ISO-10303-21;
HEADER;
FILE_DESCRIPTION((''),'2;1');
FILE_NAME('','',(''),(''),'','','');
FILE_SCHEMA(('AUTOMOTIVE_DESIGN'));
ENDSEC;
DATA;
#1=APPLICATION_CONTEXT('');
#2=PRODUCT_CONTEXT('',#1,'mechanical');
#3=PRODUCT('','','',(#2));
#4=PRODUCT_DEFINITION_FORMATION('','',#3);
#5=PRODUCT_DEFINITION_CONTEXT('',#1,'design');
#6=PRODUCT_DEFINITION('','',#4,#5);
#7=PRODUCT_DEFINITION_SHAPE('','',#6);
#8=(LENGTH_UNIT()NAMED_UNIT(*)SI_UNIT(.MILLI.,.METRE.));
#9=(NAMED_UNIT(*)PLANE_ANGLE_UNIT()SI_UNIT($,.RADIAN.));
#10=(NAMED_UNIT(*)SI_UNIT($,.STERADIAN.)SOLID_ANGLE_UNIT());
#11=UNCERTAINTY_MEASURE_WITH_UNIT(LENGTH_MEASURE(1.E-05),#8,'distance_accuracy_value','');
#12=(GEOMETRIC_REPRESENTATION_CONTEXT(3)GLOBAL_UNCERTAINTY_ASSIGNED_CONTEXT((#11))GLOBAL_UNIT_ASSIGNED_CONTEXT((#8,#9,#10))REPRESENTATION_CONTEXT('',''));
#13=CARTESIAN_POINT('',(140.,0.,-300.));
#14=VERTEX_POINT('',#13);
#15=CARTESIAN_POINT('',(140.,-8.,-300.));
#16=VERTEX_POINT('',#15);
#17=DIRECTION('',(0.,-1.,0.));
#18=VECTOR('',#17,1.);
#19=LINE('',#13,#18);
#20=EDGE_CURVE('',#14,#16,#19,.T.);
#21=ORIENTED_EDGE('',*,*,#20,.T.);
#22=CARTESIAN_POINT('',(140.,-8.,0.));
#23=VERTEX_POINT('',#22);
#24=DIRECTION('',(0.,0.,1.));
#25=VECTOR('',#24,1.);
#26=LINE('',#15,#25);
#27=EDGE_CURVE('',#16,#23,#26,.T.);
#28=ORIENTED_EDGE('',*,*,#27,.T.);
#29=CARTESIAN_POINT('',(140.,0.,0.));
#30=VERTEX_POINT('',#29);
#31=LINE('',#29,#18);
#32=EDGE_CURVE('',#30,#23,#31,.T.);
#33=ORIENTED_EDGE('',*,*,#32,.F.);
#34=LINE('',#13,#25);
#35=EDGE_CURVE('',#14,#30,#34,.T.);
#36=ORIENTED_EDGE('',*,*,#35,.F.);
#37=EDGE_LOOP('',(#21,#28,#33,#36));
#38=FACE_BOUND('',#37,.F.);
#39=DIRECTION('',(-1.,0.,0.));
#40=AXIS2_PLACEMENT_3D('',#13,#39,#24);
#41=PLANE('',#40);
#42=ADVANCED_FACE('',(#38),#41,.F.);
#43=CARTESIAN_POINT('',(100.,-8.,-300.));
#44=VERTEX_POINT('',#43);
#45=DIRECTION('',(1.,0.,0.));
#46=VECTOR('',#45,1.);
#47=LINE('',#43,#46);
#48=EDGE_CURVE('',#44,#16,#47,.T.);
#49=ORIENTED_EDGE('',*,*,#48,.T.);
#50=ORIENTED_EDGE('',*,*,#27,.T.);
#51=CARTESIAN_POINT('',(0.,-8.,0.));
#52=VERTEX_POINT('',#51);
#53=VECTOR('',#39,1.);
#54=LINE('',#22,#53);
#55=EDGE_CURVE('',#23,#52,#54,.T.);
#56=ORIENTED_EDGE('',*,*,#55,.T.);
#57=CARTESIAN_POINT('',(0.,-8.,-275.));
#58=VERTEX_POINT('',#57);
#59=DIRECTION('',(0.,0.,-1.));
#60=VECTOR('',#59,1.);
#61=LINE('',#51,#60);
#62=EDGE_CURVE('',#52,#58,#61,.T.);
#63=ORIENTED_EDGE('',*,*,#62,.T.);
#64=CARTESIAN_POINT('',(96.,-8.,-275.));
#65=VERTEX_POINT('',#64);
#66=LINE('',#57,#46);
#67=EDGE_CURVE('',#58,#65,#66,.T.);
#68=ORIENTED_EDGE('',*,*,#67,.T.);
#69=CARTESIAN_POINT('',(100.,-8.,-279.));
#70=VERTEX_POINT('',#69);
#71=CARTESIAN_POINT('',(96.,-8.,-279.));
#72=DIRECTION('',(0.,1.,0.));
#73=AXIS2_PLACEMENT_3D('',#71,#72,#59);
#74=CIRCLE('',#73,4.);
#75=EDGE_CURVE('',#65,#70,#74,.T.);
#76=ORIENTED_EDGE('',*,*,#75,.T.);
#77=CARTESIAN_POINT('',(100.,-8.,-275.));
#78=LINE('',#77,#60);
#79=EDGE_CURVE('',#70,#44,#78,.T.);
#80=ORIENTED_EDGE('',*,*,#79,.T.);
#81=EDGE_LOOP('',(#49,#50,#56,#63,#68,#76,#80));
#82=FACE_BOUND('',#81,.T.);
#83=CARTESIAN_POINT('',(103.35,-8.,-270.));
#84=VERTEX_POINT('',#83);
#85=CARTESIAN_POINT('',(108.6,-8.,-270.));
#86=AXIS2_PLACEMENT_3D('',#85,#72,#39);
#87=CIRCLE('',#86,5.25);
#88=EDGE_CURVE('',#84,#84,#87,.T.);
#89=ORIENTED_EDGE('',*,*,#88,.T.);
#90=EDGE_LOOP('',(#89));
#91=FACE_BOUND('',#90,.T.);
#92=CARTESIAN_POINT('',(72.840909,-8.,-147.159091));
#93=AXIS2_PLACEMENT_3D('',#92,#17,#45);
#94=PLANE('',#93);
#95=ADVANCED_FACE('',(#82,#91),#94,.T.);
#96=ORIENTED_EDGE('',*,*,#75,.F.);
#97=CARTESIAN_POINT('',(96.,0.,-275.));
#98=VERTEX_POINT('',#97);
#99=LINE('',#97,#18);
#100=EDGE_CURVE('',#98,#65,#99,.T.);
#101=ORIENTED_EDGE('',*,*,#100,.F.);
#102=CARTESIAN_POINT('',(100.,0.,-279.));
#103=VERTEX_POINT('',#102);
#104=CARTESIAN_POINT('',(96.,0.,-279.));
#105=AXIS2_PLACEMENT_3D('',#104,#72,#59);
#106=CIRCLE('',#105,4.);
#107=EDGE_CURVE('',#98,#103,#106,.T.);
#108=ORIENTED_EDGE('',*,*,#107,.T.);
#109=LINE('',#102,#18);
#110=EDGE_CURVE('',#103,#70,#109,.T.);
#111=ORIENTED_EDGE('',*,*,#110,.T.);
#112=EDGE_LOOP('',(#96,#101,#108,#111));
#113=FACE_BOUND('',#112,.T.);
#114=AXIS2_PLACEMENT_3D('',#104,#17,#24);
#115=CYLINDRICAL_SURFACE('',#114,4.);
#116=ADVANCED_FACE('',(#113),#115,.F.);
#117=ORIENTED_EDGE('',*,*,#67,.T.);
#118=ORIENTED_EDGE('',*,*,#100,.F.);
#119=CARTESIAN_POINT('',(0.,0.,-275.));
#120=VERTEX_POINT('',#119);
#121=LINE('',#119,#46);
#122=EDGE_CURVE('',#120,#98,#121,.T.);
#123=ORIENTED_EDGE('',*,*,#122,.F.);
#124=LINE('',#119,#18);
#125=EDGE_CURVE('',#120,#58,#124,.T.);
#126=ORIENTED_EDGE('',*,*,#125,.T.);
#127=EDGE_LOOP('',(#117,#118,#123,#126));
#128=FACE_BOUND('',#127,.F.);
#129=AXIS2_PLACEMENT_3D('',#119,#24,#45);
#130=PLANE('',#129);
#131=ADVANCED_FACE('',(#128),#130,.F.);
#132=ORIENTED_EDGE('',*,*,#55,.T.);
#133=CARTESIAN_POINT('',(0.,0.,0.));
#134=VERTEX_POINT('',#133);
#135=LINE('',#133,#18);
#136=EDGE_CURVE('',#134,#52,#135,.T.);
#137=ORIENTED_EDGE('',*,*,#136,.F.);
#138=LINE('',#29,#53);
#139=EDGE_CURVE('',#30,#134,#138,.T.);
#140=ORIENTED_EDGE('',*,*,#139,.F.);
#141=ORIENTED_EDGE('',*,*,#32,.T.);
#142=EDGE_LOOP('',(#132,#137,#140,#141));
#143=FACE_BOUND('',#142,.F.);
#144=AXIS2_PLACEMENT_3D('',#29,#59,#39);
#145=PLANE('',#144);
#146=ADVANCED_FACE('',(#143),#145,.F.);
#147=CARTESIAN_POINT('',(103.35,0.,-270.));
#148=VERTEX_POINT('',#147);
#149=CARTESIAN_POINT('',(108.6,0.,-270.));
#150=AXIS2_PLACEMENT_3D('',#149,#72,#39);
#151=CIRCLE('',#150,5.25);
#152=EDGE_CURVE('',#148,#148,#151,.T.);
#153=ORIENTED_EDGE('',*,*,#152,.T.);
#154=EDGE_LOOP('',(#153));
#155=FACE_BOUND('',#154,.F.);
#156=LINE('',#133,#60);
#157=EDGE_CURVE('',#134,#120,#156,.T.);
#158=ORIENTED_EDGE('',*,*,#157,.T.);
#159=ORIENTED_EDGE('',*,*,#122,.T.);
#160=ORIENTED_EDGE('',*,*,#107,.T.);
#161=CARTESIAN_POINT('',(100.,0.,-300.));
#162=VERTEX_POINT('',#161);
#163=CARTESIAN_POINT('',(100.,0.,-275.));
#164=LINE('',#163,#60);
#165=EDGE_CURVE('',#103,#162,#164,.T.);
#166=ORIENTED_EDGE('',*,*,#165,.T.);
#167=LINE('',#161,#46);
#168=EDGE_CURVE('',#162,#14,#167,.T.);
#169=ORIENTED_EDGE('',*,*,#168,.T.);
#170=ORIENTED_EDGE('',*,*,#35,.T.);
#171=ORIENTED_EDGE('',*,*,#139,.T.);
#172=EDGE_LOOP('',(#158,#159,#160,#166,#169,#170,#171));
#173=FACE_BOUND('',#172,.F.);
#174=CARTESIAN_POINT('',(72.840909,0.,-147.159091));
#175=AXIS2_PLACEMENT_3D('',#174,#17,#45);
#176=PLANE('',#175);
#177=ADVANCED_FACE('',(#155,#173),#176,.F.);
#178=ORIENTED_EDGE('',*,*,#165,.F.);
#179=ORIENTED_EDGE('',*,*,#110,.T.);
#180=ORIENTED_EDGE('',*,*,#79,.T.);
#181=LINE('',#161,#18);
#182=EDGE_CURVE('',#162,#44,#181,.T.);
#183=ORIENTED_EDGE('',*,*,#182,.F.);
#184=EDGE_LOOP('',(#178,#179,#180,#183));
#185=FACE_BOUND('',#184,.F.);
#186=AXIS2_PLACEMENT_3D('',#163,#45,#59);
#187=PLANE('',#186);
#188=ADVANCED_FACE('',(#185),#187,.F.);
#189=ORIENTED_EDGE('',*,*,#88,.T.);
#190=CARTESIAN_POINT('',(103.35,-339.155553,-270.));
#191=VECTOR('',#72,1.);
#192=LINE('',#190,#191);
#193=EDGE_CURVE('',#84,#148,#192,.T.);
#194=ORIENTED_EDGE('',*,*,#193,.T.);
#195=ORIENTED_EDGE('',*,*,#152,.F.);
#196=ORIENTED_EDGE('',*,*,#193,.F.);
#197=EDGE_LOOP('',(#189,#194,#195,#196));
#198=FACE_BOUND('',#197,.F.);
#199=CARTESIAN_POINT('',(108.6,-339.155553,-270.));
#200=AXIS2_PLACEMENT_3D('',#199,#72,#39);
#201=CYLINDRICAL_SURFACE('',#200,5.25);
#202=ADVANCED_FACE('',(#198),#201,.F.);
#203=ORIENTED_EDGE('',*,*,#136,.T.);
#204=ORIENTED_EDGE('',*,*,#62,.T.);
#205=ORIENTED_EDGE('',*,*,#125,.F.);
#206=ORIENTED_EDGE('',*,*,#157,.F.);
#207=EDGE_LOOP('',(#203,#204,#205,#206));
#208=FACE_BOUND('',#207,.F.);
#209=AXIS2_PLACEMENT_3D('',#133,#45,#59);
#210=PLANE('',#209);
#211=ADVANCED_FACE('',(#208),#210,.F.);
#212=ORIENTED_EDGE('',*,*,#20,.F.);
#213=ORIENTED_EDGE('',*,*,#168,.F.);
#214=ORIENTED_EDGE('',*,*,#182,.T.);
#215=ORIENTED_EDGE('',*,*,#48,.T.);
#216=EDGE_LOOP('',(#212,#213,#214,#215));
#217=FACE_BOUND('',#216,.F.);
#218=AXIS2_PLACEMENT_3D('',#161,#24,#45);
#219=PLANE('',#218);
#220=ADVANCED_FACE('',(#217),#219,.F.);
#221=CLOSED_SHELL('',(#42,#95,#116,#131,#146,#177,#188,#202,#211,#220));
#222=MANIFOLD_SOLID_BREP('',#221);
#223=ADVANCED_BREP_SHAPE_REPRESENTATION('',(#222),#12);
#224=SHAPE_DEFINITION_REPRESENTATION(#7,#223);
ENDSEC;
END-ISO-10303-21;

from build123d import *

# Parameters (mm, degrees)
F1_DEPTH = 8
F2_R     = 4
F4_D     = 10.5


with BuildPart() as f1:
    # F0 (on Front) → F1 (new body)
    with BuildSketch(Plane.XZ):
        Polygon((140, 0), (0, 0), (0, -275), (100, -275), (100, -300), (140, -300), align=None)
    extrude(amount=F1_DEPTH)

    # F2
    f2_edges = [f1.edges().sort_by_distance(p)[0] for p in [
        (100, -4, -275),
    ]]
    fillet(f2_edges, radius=F2_R)

    # F4 (through all)
    with Locations(Plane.XZ.offset(8)):
        with Locations((108.6, -270)):
            Hole(F4_D / 2)


solid = f1.part
